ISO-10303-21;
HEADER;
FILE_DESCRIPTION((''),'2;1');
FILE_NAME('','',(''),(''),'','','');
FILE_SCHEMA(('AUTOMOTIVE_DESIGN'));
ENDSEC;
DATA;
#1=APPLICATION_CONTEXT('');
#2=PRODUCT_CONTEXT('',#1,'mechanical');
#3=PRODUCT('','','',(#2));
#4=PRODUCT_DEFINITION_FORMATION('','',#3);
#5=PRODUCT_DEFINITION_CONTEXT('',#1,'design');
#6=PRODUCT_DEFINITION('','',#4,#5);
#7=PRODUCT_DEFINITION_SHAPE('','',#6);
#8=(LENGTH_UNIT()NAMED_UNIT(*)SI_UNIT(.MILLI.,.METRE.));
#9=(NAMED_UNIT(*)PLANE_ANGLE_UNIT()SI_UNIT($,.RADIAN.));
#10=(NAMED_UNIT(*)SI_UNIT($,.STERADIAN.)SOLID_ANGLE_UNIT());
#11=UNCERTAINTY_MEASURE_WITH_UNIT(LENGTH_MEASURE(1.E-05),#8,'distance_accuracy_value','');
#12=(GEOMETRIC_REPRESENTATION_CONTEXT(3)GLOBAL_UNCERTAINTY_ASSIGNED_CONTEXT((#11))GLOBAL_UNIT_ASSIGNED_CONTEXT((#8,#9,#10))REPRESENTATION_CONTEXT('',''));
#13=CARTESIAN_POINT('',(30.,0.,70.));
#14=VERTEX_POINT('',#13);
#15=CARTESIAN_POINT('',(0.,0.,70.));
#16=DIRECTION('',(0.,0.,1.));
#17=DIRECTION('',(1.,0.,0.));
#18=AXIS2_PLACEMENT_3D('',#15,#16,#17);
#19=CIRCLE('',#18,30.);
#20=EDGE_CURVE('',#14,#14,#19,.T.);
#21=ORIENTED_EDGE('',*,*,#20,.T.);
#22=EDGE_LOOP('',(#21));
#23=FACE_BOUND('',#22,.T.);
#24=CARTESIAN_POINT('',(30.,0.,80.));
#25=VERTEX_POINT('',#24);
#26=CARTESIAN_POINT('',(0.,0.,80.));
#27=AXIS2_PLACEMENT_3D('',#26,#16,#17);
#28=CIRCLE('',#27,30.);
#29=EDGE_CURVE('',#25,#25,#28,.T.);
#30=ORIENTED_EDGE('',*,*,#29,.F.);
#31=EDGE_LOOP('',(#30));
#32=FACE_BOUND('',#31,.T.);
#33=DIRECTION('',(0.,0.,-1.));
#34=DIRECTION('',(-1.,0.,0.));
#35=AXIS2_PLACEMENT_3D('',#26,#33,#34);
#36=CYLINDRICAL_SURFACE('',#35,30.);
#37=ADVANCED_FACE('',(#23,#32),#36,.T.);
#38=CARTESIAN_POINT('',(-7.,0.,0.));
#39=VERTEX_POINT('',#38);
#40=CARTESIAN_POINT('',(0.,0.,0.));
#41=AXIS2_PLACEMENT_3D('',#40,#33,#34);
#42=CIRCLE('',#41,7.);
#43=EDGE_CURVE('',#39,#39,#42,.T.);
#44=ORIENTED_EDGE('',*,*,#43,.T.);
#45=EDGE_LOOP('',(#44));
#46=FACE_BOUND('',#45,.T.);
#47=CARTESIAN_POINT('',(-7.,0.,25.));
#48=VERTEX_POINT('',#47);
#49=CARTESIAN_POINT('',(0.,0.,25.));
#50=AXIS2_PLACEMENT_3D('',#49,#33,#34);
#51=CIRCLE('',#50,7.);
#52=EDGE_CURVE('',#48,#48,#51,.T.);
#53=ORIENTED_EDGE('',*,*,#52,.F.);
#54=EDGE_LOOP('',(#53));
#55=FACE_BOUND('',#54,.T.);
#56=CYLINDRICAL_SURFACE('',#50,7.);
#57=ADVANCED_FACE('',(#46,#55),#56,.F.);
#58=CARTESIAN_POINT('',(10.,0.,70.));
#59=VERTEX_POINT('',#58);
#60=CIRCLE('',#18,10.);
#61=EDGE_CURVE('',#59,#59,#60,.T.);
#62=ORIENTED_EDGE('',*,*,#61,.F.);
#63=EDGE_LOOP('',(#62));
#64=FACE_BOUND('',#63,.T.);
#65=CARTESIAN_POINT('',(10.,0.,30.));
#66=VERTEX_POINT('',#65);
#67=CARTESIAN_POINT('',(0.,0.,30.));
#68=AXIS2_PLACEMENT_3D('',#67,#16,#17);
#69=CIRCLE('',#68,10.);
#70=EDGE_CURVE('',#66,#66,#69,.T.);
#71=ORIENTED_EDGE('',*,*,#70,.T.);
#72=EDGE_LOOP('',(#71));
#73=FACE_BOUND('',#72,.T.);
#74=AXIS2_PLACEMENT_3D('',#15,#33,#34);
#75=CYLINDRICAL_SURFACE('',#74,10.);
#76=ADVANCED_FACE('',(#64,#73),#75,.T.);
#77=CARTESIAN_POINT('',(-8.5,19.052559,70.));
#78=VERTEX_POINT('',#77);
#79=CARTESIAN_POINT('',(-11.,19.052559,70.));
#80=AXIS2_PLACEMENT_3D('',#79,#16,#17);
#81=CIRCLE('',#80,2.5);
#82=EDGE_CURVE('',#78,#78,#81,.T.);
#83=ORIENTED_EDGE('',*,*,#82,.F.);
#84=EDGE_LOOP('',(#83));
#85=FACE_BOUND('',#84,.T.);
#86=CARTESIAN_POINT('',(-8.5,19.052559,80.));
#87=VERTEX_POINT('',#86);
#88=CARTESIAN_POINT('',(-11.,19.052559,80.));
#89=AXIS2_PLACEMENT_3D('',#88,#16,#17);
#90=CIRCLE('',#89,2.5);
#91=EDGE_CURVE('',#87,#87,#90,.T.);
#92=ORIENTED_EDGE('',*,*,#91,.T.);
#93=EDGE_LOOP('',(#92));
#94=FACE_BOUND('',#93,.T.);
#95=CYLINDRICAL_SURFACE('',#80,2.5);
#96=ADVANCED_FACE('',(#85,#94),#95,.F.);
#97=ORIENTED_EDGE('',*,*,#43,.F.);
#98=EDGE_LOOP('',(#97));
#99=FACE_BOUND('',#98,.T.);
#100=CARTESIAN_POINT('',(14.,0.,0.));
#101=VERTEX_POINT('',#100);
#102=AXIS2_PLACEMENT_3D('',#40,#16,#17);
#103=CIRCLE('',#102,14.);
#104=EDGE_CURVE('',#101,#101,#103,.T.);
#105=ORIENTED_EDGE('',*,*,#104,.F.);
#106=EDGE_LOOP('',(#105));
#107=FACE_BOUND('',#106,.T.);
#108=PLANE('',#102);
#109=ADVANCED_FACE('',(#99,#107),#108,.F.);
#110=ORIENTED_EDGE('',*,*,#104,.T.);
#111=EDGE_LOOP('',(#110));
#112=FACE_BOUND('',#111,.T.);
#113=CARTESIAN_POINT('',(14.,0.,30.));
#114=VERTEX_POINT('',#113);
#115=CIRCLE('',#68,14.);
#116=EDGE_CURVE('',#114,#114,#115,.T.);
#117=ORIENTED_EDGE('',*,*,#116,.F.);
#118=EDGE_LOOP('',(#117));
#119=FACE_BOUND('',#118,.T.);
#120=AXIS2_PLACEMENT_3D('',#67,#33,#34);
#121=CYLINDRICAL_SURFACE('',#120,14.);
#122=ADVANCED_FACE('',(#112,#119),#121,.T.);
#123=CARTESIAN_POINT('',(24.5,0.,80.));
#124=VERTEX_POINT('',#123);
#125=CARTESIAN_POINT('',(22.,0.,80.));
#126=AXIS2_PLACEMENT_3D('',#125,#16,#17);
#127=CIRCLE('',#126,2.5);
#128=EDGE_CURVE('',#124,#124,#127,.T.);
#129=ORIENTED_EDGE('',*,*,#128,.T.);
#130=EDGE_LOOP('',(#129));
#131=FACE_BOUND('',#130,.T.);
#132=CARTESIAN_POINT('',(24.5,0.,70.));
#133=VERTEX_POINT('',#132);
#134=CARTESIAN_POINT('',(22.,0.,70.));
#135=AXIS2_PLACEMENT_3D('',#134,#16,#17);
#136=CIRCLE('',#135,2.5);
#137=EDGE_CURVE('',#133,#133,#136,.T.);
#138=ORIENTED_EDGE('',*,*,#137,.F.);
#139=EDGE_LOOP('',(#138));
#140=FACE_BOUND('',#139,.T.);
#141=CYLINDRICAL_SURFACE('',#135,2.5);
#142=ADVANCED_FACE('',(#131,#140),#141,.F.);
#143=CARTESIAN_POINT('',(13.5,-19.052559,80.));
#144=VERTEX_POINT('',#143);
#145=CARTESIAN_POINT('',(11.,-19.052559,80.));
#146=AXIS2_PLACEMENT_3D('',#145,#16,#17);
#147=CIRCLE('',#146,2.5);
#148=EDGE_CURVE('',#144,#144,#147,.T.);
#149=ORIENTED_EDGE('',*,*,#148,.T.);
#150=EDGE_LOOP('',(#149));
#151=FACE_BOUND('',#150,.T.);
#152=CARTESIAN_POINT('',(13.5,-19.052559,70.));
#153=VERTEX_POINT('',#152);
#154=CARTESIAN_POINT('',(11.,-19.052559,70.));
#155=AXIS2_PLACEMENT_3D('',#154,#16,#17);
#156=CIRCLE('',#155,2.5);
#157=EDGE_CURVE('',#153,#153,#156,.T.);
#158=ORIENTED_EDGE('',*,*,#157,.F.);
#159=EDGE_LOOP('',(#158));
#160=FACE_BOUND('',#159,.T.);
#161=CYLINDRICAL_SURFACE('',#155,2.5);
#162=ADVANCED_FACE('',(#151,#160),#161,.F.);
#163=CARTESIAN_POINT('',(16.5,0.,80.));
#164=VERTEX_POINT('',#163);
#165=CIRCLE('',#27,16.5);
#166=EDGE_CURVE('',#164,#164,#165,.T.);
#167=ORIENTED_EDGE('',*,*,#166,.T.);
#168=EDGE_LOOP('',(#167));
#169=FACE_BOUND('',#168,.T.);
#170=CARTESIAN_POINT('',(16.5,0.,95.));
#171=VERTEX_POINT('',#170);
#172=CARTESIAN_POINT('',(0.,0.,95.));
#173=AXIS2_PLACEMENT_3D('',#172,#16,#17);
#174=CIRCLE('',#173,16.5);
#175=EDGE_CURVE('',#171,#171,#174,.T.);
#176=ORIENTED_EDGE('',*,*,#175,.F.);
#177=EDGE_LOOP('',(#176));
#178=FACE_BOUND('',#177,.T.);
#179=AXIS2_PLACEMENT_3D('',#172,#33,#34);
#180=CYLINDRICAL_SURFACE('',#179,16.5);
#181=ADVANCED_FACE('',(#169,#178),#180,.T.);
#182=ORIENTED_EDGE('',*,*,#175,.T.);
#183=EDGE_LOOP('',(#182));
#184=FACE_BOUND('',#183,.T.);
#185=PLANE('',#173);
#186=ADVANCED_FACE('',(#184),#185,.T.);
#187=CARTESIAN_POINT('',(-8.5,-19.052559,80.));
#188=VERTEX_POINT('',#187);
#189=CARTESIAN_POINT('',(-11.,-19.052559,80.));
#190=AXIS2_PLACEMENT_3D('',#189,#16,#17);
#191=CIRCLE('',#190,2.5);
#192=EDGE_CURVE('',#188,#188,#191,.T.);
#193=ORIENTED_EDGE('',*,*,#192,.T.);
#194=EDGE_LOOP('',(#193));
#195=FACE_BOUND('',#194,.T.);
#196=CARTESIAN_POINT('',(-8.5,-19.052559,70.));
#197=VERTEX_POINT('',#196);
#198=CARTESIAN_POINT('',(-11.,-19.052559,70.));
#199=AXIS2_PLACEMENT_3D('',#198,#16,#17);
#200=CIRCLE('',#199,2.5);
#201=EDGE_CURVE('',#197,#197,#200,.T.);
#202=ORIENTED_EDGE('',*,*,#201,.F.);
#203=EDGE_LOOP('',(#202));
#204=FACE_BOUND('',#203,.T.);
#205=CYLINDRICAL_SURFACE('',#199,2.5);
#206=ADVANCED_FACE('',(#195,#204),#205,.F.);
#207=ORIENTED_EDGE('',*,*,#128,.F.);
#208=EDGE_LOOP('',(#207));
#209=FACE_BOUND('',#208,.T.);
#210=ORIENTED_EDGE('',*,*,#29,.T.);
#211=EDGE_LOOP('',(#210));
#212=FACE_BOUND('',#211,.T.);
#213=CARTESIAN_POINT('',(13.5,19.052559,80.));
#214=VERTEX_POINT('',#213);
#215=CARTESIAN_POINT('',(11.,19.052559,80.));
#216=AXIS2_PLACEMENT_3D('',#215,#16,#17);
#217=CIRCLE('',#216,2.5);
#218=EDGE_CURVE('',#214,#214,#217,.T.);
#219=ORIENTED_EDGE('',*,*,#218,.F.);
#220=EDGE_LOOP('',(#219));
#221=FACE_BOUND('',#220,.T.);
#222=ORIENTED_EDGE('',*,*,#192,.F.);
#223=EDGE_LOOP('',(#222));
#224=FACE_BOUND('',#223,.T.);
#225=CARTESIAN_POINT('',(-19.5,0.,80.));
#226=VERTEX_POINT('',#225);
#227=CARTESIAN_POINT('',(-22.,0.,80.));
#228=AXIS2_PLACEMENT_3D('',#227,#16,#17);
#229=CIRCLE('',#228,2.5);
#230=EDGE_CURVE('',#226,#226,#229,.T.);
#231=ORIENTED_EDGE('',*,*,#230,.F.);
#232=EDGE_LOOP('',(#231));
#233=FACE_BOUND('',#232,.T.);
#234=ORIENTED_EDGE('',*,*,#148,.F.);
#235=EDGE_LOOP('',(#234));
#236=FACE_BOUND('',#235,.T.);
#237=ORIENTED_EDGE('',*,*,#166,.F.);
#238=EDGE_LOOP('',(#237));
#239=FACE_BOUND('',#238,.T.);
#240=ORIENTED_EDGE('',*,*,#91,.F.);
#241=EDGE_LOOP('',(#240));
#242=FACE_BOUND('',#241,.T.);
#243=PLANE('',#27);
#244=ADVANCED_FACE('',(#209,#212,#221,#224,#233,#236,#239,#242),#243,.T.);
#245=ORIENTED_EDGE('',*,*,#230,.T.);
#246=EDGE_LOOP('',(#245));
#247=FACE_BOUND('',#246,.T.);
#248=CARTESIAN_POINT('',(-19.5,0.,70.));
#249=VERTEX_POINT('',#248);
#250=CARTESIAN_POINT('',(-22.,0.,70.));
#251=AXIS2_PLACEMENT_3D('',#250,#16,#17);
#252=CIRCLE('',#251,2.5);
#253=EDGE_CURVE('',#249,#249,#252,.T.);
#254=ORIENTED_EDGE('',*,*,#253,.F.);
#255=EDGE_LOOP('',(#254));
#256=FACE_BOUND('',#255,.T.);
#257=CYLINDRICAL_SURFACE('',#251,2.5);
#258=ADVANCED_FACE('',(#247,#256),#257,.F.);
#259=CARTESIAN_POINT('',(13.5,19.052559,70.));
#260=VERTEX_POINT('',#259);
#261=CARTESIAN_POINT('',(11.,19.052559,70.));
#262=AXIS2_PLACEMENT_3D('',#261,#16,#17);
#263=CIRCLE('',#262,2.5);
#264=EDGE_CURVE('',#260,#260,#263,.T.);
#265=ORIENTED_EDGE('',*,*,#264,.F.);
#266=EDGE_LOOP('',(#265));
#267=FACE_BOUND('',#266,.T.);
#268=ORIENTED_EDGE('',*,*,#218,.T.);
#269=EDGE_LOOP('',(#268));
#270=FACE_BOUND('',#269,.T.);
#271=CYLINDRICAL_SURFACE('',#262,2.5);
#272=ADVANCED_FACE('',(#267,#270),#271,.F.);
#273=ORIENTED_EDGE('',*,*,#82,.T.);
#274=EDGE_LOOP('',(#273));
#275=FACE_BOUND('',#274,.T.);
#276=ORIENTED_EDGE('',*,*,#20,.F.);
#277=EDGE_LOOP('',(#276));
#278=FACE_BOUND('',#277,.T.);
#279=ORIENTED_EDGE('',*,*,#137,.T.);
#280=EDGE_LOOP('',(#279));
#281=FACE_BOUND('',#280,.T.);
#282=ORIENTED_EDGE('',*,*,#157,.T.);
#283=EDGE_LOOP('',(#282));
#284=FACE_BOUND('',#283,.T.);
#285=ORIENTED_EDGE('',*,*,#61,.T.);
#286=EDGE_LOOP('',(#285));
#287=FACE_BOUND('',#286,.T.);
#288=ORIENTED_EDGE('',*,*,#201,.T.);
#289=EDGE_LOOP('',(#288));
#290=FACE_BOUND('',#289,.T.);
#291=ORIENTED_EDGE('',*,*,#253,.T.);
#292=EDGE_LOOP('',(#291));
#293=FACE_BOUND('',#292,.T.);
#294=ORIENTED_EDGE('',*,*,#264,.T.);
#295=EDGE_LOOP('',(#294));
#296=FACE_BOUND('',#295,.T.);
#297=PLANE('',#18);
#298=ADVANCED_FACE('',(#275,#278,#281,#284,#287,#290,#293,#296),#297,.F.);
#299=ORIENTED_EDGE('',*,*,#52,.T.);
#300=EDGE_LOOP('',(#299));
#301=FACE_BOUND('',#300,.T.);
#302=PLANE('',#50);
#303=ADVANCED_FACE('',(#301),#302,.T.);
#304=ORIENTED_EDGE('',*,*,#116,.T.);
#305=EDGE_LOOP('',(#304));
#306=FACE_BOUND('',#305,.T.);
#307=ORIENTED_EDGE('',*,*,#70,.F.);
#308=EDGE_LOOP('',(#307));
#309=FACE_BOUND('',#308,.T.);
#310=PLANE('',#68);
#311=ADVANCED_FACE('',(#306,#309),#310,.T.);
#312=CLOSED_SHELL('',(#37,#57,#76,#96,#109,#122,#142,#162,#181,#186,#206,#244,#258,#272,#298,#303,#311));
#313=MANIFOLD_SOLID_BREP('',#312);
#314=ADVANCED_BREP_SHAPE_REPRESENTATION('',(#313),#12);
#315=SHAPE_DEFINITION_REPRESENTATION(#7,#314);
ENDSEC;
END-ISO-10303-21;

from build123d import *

# Parameters (mm, degrees)
SCHIZZO1_R                   = 14
ESTRUSIONE_ESTRUSIONE1_DEPTH = 30
SCHIZZO2_R                   = 10
ESTRUSIONE_ESTRUSIONE2_DEPTH = 40
SCHIZZO3_R                   = 30
ESTRUSIONE_ESTRUSIONE3_DEPTH = 10
SCHIZZO4_R                   = 16.5
ESTRUSIONE_ESTRUSIONE4_DEPTH = 15
SCHIZZO5_R                   = 7
TAGLIO_ESTRUSIONE1_DEPTH     = 25
SCHIZZO6_R                   = 2.5
TAGLIO_ESTRUSIONE2_DEPTH     = 10


with BuildPart() as part:
    # Schizzo1 → Estrusione-Estrusione1 (new body)
    with BuildSketch(Plane.XY):
        Circle(SCHIZZO1_R)
    extrude(amount=ESTRUSIONE_ESTRUSIONE1_DEPTH)

    # Schizzo2 → Estrusione-Estrusione2 (add)
    with BuildSketch(Plane.XY.offset(30)):
        Circle(SCHIZZO2_R)
    extrude(amount=ESTRUSIONE_ESTRUSIONE2_DEPTH)

    # Schizzo3 → Estrusione-Estrusione3 (add)
    with BuildSketch(Plane.XY.offset(70)):
        Circle(SCHIZZO3_R)
    extrude(amount=ESTRUSIONE_ESTRUSIONE3_DEPTH)

    # Schizzo4 → Estrusione-Estrusione4 (add)
    with BuildSketch(Plane.XY.offset(80)):
        Circle(SCHIZZO4_R)
    extrude(amount=ESTRUSIONE_ESTRUSIONE4_DEPTH)

    # Schizzo5 → Taglio-Estrusione1 (cut)
    with BuildSketch(Plane(origin=(0, 0, 0), x_dir=(-1, 0, 0), z_dir=(0, 0, -1))):
        Circle(SCHIZZO5_R)
    extrude(amount=-TAGLIO_ESTRUSIONE1_DEPTH, mode=Mode.SUBTRACT)

    # Schizzo6 → Taglio-Estrusione2 (cut)
    with BuildSketch(Plane.XY.offset(80)):
        with Locations((22, 0)):
            Circle(SCHIZZO6_R)
        with Locations((11, 19.052558883)):
            Circle(SCHIZZO6_R)
        with Locations((-11, 19.052558883)):
            Circle(SCHIZZO6_R)
        with Locations((-22, 0)):
            Circle(SCHIZZO6_R)
        with Locations((-11, -19.052558883)):
            Circle(SCHIZZO6_R)
        with Locations((11, -19.052558883)):
            Circle(SCHIZZO6_R)
    extrude(amount=-TAGLIO_ESTRUSIONE2_DEPTH, mode=Mode.SUBTRACT)


solid = part.part
